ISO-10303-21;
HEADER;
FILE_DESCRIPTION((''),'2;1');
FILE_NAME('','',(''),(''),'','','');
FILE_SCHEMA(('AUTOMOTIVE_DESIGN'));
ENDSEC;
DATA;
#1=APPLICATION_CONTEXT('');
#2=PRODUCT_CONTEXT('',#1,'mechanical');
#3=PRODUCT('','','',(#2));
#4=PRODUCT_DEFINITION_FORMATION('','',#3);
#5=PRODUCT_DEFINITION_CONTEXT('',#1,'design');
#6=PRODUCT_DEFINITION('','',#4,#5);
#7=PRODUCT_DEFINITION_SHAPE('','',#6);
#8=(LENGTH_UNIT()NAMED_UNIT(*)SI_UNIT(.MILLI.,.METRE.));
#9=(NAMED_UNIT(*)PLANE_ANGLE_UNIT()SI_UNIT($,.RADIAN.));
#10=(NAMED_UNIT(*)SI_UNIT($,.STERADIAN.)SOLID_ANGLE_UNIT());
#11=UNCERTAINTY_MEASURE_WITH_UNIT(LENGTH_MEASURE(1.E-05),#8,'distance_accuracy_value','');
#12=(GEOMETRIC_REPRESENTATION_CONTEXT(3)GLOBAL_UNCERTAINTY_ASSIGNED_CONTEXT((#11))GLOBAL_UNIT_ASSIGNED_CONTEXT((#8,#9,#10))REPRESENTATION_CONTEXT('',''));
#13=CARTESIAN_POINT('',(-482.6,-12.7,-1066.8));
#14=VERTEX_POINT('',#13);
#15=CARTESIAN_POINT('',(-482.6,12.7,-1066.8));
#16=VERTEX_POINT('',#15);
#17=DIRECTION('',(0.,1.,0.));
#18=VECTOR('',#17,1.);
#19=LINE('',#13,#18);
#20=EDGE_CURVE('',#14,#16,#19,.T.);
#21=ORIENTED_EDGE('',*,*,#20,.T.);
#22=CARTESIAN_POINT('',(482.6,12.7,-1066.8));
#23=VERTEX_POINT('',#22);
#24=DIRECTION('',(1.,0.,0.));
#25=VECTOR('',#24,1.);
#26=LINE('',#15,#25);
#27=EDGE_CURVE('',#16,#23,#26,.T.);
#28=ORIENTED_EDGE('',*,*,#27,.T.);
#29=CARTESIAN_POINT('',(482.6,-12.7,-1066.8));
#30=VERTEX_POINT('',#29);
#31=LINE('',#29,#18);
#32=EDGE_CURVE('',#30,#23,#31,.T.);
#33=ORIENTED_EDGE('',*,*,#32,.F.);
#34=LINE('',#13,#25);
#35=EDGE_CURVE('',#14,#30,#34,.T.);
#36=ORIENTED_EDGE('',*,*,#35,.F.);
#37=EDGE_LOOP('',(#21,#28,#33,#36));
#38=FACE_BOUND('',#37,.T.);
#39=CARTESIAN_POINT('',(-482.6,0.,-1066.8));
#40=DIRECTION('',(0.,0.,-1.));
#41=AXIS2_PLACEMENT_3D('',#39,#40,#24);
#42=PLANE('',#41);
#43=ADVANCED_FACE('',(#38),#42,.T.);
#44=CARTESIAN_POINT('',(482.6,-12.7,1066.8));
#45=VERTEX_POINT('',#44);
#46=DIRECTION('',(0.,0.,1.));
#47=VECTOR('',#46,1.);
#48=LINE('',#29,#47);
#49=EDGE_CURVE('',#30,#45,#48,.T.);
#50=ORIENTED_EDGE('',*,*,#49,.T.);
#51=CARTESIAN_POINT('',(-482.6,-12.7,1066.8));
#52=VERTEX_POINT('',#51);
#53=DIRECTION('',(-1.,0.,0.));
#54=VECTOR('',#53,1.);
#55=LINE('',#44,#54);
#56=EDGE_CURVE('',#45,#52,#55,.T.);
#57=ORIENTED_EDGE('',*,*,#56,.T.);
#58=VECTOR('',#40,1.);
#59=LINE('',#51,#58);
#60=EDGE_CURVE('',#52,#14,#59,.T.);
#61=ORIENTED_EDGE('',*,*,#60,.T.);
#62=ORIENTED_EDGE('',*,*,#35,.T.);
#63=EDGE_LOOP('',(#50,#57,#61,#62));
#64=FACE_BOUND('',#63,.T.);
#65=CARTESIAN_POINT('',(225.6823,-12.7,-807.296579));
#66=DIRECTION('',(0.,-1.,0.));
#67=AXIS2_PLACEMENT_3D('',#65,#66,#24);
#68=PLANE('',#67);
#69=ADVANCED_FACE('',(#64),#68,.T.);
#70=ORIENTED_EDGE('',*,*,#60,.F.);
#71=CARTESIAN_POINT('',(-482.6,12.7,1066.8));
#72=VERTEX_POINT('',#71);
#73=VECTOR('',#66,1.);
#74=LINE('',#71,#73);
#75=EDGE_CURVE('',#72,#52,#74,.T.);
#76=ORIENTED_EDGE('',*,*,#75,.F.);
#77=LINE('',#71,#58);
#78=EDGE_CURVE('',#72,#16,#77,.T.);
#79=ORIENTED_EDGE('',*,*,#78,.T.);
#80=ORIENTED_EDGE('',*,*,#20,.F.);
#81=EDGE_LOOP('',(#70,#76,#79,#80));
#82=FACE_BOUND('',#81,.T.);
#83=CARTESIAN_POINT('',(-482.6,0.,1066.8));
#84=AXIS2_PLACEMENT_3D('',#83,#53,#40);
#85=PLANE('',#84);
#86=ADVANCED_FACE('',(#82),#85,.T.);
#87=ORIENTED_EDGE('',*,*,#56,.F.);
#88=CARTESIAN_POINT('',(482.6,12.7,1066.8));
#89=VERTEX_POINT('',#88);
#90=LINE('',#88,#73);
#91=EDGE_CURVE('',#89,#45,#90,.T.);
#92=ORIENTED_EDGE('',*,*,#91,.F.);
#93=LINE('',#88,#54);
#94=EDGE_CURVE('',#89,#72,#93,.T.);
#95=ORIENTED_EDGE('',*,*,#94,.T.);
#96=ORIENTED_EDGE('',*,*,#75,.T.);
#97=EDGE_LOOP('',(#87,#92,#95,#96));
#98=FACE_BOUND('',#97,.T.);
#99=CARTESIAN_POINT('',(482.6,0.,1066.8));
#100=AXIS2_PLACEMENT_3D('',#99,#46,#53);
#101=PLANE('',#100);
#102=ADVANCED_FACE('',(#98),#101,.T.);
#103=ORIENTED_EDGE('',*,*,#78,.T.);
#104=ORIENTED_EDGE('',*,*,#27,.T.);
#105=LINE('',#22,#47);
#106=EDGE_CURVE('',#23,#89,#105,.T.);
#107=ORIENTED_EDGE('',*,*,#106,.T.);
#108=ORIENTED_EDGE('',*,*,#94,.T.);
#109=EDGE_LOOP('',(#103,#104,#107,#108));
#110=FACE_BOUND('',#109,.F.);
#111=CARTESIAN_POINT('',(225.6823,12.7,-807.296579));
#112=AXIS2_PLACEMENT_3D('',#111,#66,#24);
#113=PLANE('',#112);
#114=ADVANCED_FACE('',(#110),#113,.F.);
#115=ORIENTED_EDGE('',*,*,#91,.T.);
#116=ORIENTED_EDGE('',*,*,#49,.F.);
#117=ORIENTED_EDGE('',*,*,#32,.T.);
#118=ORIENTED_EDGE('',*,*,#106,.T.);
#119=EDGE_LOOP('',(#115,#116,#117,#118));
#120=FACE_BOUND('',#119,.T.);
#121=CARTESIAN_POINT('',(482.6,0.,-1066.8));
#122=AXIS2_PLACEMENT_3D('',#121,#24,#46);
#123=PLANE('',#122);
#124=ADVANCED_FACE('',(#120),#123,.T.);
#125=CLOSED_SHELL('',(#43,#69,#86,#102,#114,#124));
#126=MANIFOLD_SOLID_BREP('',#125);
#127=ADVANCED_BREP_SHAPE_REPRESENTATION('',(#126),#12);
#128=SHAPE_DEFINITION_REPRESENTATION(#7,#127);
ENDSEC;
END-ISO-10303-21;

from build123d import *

# Parameters (mm, degrees)
F1_DEPTH = 12.7


with BuildPart() as f1:
    # F0 (on Front) → F1 (new body, symmetric)
    with BuildSketch(Plane.XZ):
        Polygon((408.432, -1066.8), (482.6, -1066.8), (482.6, -997.204), (0, -514.604), (0, -658.368), align=None)
        Polygon((264.668, -1066.8), (408.432, -1066.8), (0, -658.368), (0, -802.132), align=None)
        Polygon((0, -514.604), (482.6, -997.204), (482.6, -853.44), (0, -370.84), align=None)
        Polygon((120.904, -1066.8), (264.668, -1066.8), (0, -802.132), (0, -945.896), align=None)
        Polygon((-408.432, -1066.8), (0, -658.368), (0, -514.604), (-482.6, -997.204), (-482.6, -1066.8), align=None)
        Polygon((0, -802.132), (0, -658.368), (-408.432, -1066.8), (-264.668, -1066.8), align=None)
        Polygon((0, -370.84), (482.6, -853.44), (482.6, -709.676), (0, -227.076), align=None)
        Polygon((-482.6, -997.204), (0, -514.604), (0, -370.84), (-482.6, -853.44), align=None)
        Polygon((0, -1066.8), (120.904, -1066.8), (0, -945.896), align=None)
        Polygon((0, -945.896), (0, -802.132), (-264.668, -1066.8), (-120.904, -1066.8), align=None)
        Polygon((0, -227.076), (482.6, -709.676), (482.6, -565.912), (0, -83.312), align=None)
        Polygon((-482.6, -853.44), (0, -370.84), (0, -227.076), (-482.6, -709.676), align=None)
        Polygon((-120.904, -1066.8), (0, -1066.8), (0, -945.896), align=None)
        Polygon((0, -83.312), (482.6, -565.912), (482.6, -422.148), (0, 60.452), align=None)
        Polygon((-482.6, -709.676), (0, -227.076), (0, -83.312), (-482.6, -565.912), align=None)
        Polygon((0, 60.452), (482.6, -422.148), (482.6, -278.384), (0, 204.216), align=None)
        Polygon((-482.6, -565.912), (0, -83.312), (0, 60.452), (-482.6, -422.148), align=None)
        Polygon((0, 204.216), (482.6, -278.384), (482.6, -134.62), (0, 347.98), align=None)
        Polygon((-482.6, -422.148), (0, 60.452), (0, 204.216), (-482.6, -278.384), align=None)
        Polygon((0, 347.98), (482.6, -134.62), (482.6, 9.144), (0, 491.744), align=None)
        Polygon((-482.6, -278.384), (0, 204.216), (0, 347.98), (-482.6, -134.62), align=None)
        Polygon((0, 491.744), (482.6, 9.144), (482.6, 152.908), (0, 635.508), align=None)
        Polygon((-482.6, -134.62), (0, 347.98), (0, 491.744), (-482.6, 9.144), align=None)
        Polygon((0, 635.508), (482.6, 152.908), (482.6, 296.672), (0, 779.272), align=None)
        Polygon((-482.6, 9.144), (0, 491.744), (0, 635.508), (-482.6, 152.908), align=None)
        Polygon((0, 779.272), (482.6, 296.672), (482.6, 440.436), (0, 923.036), align=None)
        Polygon((-482.6, 152.908), (0, 635.508), (0, 779.272), (-482.6, 296.672), align=None)
        Polygon((0, 923.036), (482.6, 440.436), (482.6, 584.2), (0, 1066.8), align=None)
        Polygon((-482.6, 296.672), (0, 779.272), (0, 923.036), (-482.6, 440.436), align=None)
        Polygon((0, 1066.8), (482.6, 584.2), (482.6, 727.964), (143.764, 1066.8), align=None)
        Polygon((-482.6, 440.436), (0, 923.036), (0, 1066.8), (-482.6, 584.2), align=None)
        Polygon((143.764, 1066.8), (482.6, 727.964), (482.6, 871.728), (287.528, 1066.8), align=None)
        Polygon((-482.6, 584.2), (0, 1066.8), (-143.764, 1066.8), (-482.6, 727.964), align=None)
        Polygon((287.528, 1066.8), (482.6, 871.728), (482.6, 1015.492), (431.292, 1066.8), align=None)
        Polygon((-482.6, 727.964), (-143.764, 1066.8), (-287.528, 1066.8), (-482.6, 871.728), align=None)
        Polygon((431.292, 1066.8), (482.6, 1015.492), (482.6, 1066.8), align=None)
        Polygon((-482.6, 871.728), (-287.528, 1066.8), (-431.292, 1066.8), (-482.6, 1015.492), align=None)
        Polygon((-482.6, 1015.492), (-431.292, 1066.8), (-482.6, 1066.8), align=None)
    extrude(amount=F1_DEPTH, both=True)


solid = f1.part
